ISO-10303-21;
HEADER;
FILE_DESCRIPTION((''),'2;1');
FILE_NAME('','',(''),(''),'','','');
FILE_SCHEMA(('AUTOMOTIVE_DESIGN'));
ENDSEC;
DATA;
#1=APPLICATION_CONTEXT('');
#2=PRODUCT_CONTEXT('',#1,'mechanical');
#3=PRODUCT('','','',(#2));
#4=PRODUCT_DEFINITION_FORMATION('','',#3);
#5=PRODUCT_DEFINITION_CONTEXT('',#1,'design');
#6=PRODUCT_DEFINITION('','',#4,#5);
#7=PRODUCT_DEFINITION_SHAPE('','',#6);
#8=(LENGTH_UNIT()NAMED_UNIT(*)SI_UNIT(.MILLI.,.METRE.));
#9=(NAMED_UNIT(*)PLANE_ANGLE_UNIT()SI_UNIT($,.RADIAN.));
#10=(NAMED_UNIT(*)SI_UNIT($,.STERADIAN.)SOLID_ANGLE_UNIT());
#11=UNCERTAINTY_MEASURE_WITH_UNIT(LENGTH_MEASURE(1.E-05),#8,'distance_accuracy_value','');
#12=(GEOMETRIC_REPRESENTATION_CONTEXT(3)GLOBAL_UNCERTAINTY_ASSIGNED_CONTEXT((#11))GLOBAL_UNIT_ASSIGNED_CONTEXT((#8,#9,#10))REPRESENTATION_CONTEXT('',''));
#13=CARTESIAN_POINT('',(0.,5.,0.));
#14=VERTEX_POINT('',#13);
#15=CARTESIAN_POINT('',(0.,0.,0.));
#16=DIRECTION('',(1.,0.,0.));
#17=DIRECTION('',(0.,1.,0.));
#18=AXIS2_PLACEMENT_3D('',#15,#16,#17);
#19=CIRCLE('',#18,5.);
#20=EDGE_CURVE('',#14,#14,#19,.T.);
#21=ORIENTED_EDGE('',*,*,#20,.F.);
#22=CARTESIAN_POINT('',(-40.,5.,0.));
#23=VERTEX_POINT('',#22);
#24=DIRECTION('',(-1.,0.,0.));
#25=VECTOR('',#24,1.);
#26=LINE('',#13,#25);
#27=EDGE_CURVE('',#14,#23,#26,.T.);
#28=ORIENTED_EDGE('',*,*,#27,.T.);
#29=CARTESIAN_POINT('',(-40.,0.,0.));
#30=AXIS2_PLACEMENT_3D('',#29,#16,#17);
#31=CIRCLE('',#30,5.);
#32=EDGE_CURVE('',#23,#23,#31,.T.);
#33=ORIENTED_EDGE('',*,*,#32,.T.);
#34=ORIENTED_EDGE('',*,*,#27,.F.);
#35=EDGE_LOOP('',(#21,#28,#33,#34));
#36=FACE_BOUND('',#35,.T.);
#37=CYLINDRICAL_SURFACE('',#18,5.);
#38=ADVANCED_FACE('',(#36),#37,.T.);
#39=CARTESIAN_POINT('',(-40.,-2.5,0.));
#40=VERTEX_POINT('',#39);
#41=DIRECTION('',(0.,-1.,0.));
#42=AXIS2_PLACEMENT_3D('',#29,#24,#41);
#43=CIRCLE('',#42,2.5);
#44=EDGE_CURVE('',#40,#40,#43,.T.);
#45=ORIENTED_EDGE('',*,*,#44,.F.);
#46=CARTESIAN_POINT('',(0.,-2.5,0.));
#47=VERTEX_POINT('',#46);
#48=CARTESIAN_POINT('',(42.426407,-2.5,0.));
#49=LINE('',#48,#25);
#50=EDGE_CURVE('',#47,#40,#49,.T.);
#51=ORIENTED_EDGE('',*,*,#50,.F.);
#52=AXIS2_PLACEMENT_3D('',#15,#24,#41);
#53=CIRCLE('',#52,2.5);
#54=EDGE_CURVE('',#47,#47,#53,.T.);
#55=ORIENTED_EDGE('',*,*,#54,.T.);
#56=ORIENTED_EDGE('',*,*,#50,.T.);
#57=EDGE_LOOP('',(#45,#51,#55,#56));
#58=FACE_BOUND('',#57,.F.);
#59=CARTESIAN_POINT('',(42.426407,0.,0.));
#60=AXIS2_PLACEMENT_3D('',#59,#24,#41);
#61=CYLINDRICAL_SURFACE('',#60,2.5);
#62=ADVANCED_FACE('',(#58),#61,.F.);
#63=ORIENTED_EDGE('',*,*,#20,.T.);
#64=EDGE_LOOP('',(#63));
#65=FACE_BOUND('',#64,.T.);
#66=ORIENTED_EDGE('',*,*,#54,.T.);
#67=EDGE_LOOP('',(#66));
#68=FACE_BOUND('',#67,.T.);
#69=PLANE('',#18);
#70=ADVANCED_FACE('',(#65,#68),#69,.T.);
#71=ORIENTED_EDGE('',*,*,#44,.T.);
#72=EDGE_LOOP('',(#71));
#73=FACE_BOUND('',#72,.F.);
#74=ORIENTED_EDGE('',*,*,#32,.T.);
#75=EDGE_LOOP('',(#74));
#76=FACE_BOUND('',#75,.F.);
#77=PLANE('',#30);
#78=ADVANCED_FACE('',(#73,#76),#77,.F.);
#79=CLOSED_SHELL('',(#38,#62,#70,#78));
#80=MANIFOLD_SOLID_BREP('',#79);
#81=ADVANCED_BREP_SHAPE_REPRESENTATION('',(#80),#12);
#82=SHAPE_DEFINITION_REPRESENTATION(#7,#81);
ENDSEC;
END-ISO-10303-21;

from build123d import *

# Parameters (mm, degrees)
F0_R     = 5
F1_DEPTH = 40
F3_D     = 5


with BuildPart() as f1:
    # F0 (on Right) → F1 (new body)
    with BuildSketch(Plane.YZ):
        Circle(F0_R)
    extrude(amount=-F1_DEPTH)

    # F3 (through all)
    with Locations(Plane.YZ):
        with Locations((0, 0)):
            Hole(F3_D / 2)


solid = f1.part
